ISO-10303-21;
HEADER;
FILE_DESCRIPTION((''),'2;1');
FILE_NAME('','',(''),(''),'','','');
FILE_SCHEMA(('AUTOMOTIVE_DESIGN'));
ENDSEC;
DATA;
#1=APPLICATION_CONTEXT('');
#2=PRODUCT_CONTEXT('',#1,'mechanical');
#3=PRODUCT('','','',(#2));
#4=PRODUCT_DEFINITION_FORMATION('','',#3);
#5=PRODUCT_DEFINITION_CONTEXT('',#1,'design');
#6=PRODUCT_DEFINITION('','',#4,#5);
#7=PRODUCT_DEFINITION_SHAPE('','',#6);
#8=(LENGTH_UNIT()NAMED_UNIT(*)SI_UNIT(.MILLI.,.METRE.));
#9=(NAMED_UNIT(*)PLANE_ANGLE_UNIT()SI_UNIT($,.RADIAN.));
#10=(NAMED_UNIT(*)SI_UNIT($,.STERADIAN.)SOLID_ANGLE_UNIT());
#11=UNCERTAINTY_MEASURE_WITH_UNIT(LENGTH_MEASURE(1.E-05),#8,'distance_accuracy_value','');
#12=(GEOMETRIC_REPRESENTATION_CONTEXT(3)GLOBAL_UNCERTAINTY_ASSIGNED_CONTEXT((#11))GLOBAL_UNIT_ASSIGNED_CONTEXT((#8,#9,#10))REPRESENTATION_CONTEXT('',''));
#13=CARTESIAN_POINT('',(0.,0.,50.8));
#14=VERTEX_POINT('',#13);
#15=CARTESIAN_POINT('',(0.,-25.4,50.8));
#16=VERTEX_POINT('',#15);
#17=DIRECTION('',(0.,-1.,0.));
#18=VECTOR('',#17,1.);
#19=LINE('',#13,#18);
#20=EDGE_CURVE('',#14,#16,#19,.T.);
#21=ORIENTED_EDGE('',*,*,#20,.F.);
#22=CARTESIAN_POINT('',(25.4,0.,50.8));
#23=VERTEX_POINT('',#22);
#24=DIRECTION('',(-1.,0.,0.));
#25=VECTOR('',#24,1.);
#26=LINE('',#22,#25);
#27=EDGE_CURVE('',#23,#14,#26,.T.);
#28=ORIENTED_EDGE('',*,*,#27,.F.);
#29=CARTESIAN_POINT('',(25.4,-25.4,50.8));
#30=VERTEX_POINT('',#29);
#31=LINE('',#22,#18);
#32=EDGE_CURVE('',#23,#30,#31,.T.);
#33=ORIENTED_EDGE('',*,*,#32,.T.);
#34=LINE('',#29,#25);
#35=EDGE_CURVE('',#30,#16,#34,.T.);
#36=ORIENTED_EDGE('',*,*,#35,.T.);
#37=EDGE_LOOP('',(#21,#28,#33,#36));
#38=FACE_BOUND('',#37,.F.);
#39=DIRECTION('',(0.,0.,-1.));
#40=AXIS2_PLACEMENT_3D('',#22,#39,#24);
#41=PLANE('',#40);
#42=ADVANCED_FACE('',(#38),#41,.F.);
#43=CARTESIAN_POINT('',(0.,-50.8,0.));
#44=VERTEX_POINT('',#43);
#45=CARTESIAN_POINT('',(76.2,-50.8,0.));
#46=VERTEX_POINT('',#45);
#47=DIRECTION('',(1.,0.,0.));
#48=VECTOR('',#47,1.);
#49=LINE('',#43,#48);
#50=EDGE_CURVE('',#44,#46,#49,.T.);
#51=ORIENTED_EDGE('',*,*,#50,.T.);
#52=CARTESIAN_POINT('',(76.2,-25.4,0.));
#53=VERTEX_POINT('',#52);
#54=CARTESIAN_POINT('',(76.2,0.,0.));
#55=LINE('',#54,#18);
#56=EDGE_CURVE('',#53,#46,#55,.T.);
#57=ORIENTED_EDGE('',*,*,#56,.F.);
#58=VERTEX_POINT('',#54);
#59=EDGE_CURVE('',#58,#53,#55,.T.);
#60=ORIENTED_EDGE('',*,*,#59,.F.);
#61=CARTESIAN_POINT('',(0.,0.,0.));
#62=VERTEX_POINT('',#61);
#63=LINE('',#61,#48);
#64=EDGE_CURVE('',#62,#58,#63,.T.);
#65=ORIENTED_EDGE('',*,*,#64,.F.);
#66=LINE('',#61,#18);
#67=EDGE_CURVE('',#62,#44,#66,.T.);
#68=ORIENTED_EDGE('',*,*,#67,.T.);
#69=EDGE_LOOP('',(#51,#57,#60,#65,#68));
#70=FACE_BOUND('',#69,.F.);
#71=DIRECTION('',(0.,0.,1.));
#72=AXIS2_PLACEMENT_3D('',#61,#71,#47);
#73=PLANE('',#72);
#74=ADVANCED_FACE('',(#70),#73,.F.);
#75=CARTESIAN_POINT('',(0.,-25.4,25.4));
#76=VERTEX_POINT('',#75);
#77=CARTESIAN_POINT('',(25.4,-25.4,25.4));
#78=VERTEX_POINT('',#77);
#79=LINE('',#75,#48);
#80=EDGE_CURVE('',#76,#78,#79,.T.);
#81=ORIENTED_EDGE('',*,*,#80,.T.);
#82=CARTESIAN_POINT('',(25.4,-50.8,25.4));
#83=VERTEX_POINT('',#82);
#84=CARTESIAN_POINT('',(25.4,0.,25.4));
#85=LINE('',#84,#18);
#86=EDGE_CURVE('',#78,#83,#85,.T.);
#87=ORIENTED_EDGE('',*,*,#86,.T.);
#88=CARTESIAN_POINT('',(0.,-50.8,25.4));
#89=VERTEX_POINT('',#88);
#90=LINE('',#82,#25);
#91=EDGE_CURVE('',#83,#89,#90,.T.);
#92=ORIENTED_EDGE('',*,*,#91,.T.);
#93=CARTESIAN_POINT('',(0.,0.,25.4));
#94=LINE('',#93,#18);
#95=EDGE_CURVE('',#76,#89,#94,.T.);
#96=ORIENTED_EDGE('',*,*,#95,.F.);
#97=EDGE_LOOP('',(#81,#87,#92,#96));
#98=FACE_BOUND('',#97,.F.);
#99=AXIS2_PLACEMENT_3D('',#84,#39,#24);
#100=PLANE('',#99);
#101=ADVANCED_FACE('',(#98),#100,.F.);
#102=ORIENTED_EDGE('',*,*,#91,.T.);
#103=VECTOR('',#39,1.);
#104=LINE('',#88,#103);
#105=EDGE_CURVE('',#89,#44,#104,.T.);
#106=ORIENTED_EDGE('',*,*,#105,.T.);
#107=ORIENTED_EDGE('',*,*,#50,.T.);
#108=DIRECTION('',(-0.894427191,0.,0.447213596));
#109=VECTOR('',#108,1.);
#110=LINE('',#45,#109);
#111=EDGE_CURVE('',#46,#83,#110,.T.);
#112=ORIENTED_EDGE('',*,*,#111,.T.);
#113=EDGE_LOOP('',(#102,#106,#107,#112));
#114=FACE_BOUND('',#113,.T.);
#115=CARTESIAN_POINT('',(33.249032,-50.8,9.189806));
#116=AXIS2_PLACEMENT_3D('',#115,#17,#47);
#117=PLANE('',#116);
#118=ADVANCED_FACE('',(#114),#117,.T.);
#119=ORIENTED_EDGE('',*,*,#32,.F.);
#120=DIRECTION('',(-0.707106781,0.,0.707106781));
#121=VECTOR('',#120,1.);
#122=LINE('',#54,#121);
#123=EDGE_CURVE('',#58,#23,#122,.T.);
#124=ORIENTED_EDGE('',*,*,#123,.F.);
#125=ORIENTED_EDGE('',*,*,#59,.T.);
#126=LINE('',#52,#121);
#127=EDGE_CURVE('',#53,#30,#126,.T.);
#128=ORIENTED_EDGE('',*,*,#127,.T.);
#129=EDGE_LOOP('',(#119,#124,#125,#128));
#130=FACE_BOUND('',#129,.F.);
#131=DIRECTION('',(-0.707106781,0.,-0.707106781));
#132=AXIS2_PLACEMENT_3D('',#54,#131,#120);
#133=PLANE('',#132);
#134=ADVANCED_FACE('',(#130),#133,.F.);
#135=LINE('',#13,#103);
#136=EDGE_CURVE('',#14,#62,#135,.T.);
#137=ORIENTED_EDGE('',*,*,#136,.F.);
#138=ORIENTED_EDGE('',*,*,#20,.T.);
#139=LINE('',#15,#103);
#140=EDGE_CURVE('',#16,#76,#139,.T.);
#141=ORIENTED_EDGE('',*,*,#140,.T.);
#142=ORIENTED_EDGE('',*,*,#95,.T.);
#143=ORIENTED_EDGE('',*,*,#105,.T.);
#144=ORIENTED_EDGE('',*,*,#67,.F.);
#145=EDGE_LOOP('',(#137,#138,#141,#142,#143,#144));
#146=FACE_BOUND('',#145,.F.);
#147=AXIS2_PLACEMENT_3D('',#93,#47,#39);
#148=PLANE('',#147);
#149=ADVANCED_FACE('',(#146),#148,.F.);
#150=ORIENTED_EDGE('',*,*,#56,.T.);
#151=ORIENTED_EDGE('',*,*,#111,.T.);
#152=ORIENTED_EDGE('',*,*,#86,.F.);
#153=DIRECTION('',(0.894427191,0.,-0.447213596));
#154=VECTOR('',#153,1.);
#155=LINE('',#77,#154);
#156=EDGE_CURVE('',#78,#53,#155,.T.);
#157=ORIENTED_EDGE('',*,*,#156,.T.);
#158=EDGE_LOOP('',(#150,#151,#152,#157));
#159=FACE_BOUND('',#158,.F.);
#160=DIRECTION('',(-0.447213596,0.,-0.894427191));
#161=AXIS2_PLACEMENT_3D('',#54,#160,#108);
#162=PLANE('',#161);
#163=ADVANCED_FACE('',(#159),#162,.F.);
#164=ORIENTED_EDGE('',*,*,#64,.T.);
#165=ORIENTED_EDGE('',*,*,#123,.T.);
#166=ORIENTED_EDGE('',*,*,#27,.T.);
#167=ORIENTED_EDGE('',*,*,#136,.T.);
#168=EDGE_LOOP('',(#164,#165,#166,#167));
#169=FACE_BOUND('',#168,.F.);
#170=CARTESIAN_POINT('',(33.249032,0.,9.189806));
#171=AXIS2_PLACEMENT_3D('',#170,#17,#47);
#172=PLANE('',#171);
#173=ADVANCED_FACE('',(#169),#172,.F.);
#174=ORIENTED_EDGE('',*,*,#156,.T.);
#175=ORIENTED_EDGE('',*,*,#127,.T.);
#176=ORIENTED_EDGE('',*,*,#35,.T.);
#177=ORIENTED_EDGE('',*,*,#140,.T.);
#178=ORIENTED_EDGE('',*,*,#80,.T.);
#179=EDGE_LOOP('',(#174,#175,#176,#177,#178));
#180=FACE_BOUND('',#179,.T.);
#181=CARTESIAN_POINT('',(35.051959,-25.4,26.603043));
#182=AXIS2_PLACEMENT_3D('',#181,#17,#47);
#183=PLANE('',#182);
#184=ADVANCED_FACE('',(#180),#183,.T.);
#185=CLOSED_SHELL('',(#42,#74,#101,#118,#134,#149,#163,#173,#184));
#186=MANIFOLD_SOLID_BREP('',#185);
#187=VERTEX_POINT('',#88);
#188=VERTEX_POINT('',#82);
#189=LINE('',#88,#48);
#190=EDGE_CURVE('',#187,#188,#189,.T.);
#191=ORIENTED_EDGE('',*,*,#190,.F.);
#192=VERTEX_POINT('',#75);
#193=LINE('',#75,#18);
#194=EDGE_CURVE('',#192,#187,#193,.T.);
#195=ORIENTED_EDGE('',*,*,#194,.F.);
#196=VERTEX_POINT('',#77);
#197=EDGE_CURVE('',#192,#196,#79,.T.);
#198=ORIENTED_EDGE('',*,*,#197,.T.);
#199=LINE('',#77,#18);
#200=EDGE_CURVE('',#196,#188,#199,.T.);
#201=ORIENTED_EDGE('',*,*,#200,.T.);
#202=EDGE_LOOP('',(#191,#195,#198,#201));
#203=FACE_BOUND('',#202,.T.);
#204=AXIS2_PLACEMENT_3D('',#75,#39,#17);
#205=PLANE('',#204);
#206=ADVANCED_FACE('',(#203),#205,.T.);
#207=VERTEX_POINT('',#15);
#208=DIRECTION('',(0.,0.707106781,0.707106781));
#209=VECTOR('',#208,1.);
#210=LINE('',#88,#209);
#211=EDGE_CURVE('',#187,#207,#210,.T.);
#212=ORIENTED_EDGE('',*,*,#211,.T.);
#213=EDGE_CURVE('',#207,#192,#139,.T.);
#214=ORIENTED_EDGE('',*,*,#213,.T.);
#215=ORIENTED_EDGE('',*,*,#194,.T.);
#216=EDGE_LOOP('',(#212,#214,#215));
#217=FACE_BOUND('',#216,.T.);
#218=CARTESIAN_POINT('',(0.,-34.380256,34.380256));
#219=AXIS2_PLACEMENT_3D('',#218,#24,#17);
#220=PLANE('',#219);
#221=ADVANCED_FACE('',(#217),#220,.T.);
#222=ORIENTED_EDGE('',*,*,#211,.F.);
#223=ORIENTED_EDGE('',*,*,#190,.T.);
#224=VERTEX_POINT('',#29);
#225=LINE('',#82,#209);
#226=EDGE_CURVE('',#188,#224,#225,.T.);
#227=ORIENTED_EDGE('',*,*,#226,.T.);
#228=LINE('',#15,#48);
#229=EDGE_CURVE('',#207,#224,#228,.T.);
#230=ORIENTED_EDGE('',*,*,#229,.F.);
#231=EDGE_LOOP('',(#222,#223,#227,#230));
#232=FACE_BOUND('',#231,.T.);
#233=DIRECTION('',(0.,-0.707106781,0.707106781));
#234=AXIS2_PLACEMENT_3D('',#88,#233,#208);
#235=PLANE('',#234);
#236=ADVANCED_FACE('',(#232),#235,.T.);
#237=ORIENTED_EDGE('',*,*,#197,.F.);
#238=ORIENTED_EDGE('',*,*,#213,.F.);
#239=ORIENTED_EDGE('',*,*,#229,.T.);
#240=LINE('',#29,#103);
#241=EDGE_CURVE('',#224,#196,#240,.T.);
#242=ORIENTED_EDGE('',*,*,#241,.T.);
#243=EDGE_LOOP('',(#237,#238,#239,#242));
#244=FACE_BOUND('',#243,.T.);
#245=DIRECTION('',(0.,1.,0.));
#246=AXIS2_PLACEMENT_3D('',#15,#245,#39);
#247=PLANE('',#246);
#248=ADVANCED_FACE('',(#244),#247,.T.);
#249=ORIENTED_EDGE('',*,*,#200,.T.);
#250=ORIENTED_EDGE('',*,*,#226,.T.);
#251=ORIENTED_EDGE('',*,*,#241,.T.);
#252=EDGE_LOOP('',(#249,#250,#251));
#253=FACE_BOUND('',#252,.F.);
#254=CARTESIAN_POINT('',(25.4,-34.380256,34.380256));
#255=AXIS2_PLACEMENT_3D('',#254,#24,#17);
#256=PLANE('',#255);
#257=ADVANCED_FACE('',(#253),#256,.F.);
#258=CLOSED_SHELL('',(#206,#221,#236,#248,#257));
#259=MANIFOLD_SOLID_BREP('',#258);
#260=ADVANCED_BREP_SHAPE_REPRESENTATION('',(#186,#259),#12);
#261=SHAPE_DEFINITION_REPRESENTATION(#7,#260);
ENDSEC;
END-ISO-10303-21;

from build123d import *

# Parameters (mm, degrees)
F1_DEPTH = 25.4
F2_DEPTH = 50.8
F4_DEPTH = 25.4


with BuildPart() as f1:
    # F0 (on Front) → F1 (new body)
    with BuildSketch(Plane.XZ):
        Polygon((25.4, 25.4), (76.2, 0), (25.4, 50.8), (0, 50.8), (0, 25.4), align=None)
    extrude(amount=F1_DEPTH)

    # F0 (on Front) → F2 (join)
    with BuildSketch(Plane.XZ):
        Polygon((0, 25.4), (0, 0), (76.2, 0), (25.4, 25.4), align=None)
    extrude(amount=F2_DEPTH)


with BuildPart() as f4:
    # F3 (on face) → F4 (new body)
    with BuildSketch(Plane(origin=(0, 0, 0), x_dir=(0, -1, 0), z_dir=(-1, 0, 0))):
        Polygon((25.4, 25.4), (50.8, 25.4), (25.4, 50.8), align=None)
    extrude(amount=-F4_DEPTH)


solid = Compound([f1.part, f4.part])
